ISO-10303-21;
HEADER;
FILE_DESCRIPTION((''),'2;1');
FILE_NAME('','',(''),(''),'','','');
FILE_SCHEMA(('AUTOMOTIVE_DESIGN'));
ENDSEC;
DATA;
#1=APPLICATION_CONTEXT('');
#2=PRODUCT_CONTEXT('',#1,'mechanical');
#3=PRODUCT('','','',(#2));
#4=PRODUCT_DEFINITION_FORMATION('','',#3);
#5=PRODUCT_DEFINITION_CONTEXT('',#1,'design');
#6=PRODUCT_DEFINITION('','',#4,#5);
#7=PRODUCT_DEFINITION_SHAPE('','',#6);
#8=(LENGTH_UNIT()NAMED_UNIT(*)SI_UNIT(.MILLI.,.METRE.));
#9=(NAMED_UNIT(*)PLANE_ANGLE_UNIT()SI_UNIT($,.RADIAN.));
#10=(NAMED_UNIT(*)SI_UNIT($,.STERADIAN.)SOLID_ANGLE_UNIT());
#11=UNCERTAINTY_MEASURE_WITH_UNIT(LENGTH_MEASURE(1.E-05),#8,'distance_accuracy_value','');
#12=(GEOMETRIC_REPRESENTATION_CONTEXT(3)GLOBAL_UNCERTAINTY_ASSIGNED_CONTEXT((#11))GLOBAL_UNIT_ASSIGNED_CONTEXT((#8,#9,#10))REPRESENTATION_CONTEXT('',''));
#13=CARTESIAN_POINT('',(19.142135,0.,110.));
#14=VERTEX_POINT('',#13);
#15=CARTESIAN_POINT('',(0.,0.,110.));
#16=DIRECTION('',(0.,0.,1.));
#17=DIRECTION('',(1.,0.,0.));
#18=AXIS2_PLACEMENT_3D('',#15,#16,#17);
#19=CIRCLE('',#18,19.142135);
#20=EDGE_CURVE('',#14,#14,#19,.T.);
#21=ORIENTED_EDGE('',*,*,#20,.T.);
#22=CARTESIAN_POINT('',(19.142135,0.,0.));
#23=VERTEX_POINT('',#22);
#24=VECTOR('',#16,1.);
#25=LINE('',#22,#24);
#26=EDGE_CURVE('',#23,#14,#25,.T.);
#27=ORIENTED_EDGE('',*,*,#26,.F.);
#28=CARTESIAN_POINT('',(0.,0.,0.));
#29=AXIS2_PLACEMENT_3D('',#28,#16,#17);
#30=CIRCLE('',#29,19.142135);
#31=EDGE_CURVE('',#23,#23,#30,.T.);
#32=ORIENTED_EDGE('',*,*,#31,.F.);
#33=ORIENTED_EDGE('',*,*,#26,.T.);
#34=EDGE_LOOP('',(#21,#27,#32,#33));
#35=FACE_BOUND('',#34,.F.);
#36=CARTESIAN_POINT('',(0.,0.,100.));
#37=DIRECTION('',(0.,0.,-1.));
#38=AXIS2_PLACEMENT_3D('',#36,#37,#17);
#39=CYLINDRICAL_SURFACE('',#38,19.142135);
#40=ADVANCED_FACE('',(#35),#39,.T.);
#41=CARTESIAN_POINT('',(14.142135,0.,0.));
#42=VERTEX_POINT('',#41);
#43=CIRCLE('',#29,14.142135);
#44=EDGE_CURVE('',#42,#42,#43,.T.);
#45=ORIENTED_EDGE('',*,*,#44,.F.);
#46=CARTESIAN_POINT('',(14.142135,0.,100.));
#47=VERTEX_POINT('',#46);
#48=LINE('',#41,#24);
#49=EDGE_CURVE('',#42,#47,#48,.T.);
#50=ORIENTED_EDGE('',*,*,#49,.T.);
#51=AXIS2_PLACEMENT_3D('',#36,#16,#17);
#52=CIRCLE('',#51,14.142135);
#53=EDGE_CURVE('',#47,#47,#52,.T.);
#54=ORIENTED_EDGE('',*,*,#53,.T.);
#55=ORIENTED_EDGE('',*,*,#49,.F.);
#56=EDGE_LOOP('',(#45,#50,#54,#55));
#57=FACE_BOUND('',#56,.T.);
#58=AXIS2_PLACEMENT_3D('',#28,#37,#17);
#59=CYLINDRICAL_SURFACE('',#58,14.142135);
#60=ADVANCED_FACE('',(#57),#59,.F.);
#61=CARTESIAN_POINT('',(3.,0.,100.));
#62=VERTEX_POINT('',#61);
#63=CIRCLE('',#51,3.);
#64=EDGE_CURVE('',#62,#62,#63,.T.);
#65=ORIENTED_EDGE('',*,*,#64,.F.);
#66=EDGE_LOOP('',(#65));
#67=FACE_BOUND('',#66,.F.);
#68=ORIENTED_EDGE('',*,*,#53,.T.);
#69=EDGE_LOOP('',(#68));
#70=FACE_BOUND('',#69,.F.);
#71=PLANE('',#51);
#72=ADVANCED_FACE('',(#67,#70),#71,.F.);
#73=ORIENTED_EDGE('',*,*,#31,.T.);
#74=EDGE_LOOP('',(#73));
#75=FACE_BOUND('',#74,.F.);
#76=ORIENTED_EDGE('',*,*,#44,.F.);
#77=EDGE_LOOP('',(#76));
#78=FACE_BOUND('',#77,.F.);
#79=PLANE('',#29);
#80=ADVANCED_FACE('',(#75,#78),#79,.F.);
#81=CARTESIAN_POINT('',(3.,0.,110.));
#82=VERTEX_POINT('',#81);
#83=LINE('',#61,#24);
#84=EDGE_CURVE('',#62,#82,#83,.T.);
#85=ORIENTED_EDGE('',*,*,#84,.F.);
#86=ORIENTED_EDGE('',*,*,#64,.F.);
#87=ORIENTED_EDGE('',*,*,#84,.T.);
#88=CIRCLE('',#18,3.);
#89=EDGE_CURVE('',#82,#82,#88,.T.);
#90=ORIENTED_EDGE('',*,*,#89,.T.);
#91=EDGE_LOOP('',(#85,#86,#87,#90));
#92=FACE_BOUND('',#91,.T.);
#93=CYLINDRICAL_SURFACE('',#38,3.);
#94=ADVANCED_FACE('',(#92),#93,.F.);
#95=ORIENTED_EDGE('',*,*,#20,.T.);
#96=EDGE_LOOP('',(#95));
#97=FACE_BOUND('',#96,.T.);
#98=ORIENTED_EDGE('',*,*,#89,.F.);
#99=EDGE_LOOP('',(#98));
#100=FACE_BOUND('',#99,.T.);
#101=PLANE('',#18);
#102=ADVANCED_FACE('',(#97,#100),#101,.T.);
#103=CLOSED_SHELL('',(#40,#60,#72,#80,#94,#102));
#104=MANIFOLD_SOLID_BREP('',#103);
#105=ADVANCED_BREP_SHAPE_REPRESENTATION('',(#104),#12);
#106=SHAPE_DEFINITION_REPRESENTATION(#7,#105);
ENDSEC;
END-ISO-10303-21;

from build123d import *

# Parameters (mm, degrees)
F0_R     = 19.142135
F0_R_2   = 14.142135
F1_DEPTH = 100
F2_R     = 19.142135
F2_R_2   = 3
F3_DEPTH = 10


with BuildPart() as f1:
    # F0 (on Top) → F1 (new body)
    with BuildSketch(Plane.XY):
        Circle(F0_R)
        Circle(F0_R_2, mode=Mode.SUBTRACT)
    extrude(amount=F1_DEPTH)

    # F2 (on face) → F3 (join)
    with BuildSketch(Plane.XY.offset(100)):
        Circle(F2_R)
        Circle(F2_R_2, mode=Mode.SUBTRACT)
    extrude(amount=F3_DEPTH)


solid = f1.part
